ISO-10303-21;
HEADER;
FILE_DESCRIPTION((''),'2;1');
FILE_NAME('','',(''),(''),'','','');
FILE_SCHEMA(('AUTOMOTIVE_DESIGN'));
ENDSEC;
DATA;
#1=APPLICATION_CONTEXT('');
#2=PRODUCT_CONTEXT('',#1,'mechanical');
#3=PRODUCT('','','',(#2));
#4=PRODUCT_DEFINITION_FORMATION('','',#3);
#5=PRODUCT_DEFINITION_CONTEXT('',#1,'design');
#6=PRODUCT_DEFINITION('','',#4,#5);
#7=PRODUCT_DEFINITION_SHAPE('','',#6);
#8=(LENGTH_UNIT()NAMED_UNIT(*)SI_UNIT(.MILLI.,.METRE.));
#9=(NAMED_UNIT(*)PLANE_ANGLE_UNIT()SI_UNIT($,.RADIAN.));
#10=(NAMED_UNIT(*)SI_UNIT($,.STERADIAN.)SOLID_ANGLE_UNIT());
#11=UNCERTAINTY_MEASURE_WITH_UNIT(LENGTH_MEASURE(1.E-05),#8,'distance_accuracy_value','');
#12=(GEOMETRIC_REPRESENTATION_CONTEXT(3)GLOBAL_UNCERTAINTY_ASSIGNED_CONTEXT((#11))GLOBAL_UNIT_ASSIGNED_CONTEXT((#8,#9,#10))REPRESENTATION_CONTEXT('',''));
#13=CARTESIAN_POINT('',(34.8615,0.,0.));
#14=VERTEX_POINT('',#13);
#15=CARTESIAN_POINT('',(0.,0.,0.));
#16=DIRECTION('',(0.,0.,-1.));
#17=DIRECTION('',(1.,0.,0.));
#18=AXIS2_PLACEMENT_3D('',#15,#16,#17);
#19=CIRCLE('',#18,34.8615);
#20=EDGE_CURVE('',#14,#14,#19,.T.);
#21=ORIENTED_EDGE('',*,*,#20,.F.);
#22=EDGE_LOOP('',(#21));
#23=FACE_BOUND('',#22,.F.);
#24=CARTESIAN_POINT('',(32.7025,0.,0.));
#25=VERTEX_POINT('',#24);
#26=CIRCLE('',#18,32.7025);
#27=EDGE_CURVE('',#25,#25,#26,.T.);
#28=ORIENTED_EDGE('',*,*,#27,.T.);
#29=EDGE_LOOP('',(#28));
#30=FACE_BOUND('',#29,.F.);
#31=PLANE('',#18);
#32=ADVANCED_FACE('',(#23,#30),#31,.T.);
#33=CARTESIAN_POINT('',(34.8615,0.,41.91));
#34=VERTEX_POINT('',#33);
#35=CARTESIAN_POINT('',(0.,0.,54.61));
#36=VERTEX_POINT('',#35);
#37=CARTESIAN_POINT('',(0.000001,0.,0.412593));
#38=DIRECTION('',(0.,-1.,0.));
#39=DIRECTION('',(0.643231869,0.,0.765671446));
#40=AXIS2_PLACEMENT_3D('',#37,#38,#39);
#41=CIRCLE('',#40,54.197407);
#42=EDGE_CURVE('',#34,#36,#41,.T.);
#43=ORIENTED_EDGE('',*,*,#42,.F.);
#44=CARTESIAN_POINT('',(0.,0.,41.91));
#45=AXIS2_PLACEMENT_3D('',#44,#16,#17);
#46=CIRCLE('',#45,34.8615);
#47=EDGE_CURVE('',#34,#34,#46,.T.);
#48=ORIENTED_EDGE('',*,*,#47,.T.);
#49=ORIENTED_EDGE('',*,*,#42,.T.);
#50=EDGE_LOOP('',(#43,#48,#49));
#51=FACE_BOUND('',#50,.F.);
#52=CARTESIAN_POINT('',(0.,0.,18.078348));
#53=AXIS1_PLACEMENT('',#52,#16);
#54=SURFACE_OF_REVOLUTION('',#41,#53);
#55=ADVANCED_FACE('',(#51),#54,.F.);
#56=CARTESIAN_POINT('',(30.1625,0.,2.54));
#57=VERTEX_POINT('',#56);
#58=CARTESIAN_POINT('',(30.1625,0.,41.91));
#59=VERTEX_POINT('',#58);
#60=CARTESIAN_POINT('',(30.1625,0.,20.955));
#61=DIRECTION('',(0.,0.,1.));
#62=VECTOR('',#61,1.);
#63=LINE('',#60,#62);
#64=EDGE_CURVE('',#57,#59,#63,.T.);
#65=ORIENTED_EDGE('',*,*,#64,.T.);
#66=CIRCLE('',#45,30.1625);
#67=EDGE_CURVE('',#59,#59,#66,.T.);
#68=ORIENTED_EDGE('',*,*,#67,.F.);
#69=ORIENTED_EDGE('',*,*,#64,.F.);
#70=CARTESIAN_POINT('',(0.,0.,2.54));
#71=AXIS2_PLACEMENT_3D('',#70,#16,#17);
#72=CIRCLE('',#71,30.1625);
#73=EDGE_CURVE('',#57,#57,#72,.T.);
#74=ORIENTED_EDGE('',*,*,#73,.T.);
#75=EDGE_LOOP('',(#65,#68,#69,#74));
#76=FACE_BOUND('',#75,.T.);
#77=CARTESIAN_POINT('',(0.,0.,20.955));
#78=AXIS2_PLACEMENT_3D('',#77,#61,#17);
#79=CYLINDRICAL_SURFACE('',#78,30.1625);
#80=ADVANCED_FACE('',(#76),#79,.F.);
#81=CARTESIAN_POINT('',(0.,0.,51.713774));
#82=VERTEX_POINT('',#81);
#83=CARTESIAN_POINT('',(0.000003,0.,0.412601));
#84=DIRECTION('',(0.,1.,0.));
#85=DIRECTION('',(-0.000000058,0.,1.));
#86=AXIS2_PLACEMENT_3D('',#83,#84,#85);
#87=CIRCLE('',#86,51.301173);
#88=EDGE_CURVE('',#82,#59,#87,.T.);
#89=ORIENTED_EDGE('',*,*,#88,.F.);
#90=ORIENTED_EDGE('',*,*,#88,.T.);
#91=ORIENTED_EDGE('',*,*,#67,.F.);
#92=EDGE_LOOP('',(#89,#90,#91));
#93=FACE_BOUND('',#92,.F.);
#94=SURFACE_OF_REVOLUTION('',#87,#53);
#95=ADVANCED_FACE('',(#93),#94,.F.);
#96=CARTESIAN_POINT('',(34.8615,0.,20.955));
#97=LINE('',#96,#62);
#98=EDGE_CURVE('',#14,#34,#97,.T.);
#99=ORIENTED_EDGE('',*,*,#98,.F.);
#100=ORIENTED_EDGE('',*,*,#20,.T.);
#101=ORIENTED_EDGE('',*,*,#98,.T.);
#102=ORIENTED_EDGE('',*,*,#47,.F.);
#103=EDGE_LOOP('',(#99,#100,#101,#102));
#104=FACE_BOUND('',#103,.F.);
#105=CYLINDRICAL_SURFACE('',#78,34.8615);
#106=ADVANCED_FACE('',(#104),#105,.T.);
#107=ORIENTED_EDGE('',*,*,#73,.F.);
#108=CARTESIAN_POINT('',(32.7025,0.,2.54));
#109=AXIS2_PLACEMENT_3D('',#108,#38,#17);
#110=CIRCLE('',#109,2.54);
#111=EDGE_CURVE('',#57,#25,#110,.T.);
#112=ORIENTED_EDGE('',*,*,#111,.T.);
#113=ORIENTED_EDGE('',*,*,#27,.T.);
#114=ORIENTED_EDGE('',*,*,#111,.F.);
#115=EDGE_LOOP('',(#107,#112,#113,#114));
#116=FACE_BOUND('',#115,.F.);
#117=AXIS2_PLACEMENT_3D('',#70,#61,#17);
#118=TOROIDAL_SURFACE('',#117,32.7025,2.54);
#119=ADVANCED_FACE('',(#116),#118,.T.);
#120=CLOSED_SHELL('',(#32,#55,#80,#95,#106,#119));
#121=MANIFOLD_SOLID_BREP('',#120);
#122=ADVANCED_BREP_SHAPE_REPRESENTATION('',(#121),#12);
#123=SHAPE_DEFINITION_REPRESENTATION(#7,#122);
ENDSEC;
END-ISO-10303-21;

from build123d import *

# Parameters (mm, degrees)
F0_W = 4.699
F0_H = 41.91
F2_R = 2.54


with BuildPart() as f1:
    # F0 (on Front) → F1 (revolve)
    with BuildSketch(Plane.XZ):
        with BuildLine():
            ThreePointArc((0, 51.713774), (15.857888, 49.201307), (30.1625, 41.91))
            Line((30.1625, 41.91), (34.8615, 41.91))
            ThreePointArc((34.8615, 41.91), (18.551376, 51.336118), (0, 54.61))
            Line((0, 54.61), (0, 51.713774))
        make_face()
        with Locations((32.512, 20.955)):
            Rectangle(F0_W, F0_H)
    revolve(axis=Axis((0, 0, 18.078348), (0, 0, -1)))

    # F2
    f2_edges = [f1.edges().sort_by_distance(p)[0] for p in [
        (-30.1625, 0, 0),
    ]]
    fillet(f2_edges, radius=F2_R)


solid = f1.part
